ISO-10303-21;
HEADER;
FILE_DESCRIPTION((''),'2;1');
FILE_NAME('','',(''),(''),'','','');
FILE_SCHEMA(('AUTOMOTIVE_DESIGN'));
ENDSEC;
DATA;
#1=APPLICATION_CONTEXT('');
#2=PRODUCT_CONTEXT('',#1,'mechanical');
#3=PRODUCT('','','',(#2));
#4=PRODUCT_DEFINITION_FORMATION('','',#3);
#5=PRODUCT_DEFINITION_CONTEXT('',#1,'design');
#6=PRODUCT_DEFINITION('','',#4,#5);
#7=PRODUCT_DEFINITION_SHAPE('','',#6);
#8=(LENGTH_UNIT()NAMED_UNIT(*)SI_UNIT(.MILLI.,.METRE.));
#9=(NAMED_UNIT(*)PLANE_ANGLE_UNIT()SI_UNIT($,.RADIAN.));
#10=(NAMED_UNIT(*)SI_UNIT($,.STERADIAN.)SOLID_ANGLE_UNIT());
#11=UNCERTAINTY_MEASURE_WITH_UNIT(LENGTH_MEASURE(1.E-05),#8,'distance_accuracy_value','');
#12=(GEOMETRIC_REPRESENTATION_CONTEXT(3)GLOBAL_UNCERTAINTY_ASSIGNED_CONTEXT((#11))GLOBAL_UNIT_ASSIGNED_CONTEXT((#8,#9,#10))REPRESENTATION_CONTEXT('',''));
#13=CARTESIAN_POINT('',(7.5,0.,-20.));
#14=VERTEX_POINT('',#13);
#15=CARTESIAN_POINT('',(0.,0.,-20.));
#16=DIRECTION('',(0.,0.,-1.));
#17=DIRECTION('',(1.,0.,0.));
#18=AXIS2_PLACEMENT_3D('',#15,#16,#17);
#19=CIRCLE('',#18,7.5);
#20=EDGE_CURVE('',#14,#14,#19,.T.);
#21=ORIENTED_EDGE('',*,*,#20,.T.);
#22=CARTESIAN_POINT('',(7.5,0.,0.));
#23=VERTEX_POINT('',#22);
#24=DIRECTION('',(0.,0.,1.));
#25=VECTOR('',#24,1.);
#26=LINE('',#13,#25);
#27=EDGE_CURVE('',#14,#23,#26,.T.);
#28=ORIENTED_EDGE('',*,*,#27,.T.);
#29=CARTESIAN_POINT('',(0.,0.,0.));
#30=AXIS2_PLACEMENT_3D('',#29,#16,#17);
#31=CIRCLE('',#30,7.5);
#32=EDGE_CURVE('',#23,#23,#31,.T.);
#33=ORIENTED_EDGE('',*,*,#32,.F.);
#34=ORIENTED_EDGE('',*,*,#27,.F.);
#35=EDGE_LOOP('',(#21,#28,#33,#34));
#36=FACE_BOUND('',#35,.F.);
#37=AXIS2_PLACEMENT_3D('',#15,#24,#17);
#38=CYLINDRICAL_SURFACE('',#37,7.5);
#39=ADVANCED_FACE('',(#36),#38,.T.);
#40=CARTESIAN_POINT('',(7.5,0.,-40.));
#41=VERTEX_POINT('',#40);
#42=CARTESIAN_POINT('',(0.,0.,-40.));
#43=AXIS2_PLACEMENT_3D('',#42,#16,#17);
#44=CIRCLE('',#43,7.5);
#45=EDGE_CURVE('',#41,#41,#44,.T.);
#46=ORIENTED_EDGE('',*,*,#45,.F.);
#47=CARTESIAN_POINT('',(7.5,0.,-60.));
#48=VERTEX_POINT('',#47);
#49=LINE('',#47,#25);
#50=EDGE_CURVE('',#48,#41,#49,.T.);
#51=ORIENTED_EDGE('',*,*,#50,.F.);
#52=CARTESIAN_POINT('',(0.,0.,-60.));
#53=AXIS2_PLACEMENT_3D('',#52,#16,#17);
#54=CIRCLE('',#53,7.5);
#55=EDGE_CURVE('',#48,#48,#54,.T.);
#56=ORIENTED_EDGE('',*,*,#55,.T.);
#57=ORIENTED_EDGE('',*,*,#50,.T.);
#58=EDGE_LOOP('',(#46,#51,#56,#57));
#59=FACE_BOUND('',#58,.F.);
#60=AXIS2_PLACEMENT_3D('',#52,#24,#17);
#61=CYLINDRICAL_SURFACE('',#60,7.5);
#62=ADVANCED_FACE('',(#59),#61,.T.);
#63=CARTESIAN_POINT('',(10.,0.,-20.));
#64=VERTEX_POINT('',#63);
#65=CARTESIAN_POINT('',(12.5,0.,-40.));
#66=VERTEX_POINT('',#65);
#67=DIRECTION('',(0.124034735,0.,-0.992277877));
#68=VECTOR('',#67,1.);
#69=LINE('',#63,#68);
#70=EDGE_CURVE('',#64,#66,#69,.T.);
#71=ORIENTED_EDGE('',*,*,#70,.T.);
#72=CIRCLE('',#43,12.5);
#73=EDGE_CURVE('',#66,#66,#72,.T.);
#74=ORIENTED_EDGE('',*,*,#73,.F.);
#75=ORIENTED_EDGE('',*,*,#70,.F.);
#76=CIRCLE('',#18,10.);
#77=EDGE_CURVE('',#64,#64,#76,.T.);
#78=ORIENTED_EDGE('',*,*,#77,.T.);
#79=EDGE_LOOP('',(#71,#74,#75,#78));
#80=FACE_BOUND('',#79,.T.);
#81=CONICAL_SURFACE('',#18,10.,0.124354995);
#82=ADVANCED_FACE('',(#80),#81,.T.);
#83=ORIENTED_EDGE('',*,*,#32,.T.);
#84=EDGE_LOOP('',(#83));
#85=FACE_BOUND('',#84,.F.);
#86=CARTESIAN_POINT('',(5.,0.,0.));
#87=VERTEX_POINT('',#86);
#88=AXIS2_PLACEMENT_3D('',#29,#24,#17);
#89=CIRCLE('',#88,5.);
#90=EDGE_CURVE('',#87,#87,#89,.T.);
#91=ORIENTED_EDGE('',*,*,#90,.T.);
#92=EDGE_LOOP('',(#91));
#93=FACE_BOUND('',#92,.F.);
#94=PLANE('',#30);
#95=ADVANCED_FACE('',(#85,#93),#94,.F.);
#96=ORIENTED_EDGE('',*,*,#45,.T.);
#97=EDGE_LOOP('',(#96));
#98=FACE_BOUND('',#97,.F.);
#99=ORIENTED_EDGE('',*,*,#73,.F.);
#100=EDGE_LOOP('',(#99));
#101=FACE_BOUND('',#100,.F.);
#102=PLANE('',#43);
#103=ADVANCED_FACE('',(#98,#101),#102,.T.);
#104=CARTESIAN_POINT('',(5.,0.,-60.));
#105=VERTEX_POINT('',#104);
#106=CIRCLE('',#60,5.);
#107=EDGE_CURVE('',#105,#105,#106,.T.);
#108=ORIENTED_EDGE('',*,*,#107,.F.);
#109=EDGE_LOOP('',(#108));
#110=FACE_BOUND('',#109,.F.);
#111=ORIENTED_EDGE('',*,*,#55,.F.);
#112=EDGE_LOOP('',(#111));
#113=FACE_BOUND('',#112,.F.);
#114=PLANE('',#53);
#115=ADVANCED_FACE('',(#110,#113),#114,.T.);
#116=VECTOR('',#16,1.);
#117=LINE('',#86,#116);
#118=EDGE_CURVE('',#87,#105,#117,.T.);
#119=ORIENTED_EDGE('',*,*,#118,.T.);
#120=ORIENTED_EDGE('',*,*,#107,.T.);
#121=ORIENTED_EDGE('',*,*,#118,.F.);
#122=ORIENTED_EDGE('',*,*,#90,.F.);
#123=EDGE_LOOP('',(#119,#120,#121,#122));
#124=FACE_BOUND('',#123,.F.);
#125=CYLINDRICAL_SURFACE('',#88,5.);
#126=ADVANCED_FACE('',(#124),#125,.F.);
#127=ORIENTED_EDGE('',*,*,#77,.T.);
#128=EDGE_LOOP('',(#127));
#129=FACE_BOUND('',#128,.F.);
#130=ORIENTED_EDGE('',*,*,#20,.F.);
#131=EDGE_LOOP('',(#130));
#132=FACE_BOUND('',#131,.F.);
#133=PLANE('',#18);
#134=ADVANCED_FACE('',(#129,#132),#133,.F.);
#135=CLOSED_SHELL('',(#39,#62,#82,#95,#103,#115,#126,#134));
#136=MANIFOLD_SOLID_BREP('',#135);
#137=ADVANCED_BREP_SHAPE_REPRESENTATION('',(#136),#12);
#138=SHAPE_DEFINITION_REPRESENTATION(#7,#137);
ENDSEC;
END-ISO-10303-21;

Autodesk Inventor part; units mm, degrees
ref_plane "YZ Plane" through (0, 0, 0) normal (1, 0, 0) x (0, 1, 0)
ref_plane "XZ Plane" through (0, 0, 0) normal (0, 1, 0) x (-1, 0, 0)
ref_plane "XY Plane" through (0, 0, 0) normal (0, 0, 1) x (1, 0, 0)
sketch "Sketch1" plane through (0, 0, 0) normal (0, 1, 0) x (-1, 0, 0)
  line L0 (0, 0) -> (0, -60)
  line L1 (0, -60) -> (7.5, -60)
  line L2 (7.5, -60) -> (7.5, -40)
  line L3 (7.5, -40) -> (12.5, -40)
  line L4 (10, -20) -> (7.5, -20)
  line L5 (7.5, -20) -> (7.5, 0)
  line L6 (7.5, 0) -> (0, 0)
  line L7 (10, -20) -> (12.5, -40)
  dimension "d1" = 60
  dimension "d2" = 15
  dimension "d3" = 20
  dimension "d4" = 25
  dimension "d5" = 15
  dimension "d6" = 40
  dimension "d7" = 20
revolve "Revolution1" add sketch "Sketch1" angle 360 mid plane about axis through (0, 0, 0) along (0, 0, -1)
sketch "Sketch2" plane through (0, 0, 0) normal (0, 0, 1) x (1, 0, 0)
  circle A0 centre (0, 0) radius 5
  dimension "d9" = 10
extrude "Extrusion1" cut sketch "Sketch2" against normal blind 60
properties part number "Tipo2"
